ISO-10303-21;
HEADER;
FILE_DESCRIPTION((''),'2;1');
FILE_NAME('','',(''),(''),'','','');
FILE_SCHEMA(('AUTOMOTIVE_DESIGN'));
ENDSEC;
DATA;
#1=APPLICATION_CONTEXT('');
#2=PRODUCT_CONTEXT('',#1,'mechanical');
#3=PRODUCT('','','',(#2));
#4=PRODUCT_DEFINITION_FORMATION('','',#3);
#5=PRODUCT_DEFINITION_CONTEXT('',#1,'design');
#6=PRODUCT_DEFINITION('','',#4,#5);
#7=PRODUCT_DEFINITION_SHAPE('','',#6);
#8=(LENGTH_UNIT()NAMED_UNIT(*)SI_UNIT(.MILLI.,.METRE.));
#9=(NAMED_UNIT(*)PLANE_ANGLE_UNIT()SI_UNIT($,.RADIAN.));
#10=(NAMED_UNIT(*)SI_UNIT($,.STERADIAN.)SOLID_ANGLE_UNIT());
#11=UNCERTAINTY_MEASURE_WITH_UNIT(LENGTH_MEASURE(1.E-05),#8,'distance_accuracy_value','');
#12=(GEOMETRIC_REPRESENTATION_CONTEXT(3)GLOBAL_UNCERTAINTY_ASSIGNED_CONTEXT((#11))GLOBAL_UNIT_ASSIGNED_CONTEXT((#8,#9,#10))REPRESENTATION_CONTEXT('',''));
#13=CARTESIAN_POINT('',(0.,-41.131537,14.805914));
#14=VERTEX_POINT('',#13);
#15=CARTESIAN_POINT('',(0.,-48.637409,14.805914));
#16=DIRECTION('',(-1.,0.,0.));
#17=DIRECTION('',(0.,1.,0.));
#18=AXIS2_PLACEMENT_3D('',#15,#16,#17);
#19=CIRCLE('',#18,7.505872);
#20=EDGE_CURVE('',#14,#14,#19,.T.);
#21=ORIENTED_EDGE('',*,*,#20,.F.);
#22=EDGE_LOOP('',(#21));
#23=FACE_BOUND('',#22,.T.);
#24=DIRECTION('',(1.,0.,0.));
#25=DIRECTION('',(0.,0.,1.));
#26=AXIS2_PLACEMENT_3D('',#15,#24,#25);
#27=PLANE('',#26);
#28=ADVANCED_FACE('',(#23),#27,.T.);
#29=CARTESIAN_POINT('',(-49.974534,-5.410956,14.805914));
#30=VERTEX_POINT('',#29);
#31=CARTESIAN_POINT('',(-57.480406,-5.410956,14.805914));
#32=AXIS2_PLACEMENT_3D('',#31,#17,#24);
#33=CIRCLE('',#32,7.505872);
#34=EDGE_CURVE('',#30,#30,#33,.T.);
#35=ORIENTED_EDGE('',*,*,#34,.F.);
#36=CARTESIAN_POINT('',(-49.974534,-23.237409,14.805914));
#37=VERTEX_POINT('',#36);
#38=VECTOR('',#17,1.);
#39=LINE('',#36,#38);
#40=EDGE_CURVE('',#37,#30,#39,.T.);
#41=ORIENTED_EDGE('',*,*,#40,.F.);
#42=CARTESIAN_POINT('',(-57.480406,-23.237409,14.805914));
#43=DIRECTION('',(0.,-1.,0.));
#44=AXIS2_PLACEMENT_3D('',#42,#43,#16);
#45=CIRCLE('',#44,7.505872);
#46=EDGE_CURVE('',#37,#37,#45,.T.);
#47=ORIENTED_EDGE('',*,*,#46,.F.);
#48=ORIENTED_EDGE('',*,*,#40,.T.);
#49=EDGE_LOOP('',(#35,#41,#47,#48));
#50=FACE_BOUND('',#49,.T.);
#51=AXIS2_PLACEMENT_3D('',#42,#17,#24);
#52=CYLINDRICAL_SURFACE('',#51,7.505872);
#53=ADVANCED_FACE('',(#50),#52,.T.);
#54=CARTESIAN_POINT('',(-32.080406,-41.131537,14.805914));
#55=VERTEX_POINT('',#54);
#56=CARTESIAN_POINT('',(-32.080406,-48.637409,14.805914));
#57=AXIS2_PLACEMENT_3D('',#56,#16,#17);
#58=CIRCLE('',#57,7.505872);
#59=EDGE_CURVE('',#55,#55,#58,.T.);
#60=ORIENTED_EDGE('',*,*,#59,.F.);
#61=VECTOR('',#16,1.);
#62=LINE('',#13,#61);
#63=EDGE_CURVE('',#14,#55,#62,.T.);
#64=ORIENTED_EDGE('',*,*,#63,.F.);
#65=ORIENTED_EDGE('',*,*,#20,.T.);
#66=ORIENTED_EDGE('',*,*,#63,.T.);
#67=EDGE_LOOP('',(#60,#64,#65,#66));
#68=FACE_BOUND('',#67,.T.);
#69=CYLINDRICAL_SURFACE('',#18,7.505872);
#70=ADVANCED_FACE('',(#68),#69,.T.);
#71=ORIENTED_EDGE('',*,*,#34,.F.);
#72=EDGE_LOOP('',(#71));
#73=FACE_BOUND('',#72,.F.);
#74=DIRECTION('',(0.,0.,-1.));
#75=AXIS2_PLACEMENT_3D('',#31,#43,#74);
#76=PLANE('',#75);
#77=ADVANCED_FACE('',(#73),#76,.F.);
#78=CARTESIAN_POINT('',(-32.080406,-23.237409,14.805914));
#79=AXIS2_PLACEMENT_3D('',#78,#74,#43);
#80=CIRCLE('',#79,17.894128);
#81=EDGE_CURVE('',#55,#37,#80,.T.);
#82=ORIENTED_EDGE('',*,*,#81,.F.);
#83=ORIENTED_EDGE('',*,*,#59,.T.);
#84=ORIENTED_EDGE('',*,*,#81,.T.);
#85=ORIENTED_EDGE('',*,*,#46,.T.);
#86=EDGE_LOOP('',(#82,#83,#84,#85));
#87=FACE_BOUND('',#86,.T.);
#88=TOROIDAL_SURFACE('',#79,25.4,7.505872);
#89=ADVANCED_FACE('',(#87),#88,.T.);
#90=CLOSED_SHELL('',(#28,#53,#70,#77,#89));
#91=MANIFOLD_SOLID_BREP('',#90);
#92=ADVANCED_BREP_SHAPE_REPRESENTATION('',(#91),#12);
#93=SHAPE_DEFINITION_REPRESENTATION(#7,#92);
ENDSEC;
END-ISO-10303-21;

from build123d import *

# Parameters (mm, degrees)
F0_R = 7.5058718861


with BuildPart() as f3:
    # F3: sweep along a path in F2
    with BuildLine(Plane.XY.offset(14.8059139028)) as f3_path:
        Line((0, -48.6374087632), (-32.0804060161, -48.6374087632))
        ThreePointArc((-32.0804060161, -48.6374087632), (-50.0409182582, -41.1979210053), (-57.4804060161, -23.2374087632))
        Line((-57.4804060161, -23.2374087632), (-57.4804060161, -5.4109562415))
    # F0 (on Right) → F3 (sweep)
    with BuildSketch(Plane.YZ):
        with Locations((-48.6374087632, 14.8059139028)):
            Circle(F0_R)
    sweep(path=f3_path.line)


solid = f3.part
